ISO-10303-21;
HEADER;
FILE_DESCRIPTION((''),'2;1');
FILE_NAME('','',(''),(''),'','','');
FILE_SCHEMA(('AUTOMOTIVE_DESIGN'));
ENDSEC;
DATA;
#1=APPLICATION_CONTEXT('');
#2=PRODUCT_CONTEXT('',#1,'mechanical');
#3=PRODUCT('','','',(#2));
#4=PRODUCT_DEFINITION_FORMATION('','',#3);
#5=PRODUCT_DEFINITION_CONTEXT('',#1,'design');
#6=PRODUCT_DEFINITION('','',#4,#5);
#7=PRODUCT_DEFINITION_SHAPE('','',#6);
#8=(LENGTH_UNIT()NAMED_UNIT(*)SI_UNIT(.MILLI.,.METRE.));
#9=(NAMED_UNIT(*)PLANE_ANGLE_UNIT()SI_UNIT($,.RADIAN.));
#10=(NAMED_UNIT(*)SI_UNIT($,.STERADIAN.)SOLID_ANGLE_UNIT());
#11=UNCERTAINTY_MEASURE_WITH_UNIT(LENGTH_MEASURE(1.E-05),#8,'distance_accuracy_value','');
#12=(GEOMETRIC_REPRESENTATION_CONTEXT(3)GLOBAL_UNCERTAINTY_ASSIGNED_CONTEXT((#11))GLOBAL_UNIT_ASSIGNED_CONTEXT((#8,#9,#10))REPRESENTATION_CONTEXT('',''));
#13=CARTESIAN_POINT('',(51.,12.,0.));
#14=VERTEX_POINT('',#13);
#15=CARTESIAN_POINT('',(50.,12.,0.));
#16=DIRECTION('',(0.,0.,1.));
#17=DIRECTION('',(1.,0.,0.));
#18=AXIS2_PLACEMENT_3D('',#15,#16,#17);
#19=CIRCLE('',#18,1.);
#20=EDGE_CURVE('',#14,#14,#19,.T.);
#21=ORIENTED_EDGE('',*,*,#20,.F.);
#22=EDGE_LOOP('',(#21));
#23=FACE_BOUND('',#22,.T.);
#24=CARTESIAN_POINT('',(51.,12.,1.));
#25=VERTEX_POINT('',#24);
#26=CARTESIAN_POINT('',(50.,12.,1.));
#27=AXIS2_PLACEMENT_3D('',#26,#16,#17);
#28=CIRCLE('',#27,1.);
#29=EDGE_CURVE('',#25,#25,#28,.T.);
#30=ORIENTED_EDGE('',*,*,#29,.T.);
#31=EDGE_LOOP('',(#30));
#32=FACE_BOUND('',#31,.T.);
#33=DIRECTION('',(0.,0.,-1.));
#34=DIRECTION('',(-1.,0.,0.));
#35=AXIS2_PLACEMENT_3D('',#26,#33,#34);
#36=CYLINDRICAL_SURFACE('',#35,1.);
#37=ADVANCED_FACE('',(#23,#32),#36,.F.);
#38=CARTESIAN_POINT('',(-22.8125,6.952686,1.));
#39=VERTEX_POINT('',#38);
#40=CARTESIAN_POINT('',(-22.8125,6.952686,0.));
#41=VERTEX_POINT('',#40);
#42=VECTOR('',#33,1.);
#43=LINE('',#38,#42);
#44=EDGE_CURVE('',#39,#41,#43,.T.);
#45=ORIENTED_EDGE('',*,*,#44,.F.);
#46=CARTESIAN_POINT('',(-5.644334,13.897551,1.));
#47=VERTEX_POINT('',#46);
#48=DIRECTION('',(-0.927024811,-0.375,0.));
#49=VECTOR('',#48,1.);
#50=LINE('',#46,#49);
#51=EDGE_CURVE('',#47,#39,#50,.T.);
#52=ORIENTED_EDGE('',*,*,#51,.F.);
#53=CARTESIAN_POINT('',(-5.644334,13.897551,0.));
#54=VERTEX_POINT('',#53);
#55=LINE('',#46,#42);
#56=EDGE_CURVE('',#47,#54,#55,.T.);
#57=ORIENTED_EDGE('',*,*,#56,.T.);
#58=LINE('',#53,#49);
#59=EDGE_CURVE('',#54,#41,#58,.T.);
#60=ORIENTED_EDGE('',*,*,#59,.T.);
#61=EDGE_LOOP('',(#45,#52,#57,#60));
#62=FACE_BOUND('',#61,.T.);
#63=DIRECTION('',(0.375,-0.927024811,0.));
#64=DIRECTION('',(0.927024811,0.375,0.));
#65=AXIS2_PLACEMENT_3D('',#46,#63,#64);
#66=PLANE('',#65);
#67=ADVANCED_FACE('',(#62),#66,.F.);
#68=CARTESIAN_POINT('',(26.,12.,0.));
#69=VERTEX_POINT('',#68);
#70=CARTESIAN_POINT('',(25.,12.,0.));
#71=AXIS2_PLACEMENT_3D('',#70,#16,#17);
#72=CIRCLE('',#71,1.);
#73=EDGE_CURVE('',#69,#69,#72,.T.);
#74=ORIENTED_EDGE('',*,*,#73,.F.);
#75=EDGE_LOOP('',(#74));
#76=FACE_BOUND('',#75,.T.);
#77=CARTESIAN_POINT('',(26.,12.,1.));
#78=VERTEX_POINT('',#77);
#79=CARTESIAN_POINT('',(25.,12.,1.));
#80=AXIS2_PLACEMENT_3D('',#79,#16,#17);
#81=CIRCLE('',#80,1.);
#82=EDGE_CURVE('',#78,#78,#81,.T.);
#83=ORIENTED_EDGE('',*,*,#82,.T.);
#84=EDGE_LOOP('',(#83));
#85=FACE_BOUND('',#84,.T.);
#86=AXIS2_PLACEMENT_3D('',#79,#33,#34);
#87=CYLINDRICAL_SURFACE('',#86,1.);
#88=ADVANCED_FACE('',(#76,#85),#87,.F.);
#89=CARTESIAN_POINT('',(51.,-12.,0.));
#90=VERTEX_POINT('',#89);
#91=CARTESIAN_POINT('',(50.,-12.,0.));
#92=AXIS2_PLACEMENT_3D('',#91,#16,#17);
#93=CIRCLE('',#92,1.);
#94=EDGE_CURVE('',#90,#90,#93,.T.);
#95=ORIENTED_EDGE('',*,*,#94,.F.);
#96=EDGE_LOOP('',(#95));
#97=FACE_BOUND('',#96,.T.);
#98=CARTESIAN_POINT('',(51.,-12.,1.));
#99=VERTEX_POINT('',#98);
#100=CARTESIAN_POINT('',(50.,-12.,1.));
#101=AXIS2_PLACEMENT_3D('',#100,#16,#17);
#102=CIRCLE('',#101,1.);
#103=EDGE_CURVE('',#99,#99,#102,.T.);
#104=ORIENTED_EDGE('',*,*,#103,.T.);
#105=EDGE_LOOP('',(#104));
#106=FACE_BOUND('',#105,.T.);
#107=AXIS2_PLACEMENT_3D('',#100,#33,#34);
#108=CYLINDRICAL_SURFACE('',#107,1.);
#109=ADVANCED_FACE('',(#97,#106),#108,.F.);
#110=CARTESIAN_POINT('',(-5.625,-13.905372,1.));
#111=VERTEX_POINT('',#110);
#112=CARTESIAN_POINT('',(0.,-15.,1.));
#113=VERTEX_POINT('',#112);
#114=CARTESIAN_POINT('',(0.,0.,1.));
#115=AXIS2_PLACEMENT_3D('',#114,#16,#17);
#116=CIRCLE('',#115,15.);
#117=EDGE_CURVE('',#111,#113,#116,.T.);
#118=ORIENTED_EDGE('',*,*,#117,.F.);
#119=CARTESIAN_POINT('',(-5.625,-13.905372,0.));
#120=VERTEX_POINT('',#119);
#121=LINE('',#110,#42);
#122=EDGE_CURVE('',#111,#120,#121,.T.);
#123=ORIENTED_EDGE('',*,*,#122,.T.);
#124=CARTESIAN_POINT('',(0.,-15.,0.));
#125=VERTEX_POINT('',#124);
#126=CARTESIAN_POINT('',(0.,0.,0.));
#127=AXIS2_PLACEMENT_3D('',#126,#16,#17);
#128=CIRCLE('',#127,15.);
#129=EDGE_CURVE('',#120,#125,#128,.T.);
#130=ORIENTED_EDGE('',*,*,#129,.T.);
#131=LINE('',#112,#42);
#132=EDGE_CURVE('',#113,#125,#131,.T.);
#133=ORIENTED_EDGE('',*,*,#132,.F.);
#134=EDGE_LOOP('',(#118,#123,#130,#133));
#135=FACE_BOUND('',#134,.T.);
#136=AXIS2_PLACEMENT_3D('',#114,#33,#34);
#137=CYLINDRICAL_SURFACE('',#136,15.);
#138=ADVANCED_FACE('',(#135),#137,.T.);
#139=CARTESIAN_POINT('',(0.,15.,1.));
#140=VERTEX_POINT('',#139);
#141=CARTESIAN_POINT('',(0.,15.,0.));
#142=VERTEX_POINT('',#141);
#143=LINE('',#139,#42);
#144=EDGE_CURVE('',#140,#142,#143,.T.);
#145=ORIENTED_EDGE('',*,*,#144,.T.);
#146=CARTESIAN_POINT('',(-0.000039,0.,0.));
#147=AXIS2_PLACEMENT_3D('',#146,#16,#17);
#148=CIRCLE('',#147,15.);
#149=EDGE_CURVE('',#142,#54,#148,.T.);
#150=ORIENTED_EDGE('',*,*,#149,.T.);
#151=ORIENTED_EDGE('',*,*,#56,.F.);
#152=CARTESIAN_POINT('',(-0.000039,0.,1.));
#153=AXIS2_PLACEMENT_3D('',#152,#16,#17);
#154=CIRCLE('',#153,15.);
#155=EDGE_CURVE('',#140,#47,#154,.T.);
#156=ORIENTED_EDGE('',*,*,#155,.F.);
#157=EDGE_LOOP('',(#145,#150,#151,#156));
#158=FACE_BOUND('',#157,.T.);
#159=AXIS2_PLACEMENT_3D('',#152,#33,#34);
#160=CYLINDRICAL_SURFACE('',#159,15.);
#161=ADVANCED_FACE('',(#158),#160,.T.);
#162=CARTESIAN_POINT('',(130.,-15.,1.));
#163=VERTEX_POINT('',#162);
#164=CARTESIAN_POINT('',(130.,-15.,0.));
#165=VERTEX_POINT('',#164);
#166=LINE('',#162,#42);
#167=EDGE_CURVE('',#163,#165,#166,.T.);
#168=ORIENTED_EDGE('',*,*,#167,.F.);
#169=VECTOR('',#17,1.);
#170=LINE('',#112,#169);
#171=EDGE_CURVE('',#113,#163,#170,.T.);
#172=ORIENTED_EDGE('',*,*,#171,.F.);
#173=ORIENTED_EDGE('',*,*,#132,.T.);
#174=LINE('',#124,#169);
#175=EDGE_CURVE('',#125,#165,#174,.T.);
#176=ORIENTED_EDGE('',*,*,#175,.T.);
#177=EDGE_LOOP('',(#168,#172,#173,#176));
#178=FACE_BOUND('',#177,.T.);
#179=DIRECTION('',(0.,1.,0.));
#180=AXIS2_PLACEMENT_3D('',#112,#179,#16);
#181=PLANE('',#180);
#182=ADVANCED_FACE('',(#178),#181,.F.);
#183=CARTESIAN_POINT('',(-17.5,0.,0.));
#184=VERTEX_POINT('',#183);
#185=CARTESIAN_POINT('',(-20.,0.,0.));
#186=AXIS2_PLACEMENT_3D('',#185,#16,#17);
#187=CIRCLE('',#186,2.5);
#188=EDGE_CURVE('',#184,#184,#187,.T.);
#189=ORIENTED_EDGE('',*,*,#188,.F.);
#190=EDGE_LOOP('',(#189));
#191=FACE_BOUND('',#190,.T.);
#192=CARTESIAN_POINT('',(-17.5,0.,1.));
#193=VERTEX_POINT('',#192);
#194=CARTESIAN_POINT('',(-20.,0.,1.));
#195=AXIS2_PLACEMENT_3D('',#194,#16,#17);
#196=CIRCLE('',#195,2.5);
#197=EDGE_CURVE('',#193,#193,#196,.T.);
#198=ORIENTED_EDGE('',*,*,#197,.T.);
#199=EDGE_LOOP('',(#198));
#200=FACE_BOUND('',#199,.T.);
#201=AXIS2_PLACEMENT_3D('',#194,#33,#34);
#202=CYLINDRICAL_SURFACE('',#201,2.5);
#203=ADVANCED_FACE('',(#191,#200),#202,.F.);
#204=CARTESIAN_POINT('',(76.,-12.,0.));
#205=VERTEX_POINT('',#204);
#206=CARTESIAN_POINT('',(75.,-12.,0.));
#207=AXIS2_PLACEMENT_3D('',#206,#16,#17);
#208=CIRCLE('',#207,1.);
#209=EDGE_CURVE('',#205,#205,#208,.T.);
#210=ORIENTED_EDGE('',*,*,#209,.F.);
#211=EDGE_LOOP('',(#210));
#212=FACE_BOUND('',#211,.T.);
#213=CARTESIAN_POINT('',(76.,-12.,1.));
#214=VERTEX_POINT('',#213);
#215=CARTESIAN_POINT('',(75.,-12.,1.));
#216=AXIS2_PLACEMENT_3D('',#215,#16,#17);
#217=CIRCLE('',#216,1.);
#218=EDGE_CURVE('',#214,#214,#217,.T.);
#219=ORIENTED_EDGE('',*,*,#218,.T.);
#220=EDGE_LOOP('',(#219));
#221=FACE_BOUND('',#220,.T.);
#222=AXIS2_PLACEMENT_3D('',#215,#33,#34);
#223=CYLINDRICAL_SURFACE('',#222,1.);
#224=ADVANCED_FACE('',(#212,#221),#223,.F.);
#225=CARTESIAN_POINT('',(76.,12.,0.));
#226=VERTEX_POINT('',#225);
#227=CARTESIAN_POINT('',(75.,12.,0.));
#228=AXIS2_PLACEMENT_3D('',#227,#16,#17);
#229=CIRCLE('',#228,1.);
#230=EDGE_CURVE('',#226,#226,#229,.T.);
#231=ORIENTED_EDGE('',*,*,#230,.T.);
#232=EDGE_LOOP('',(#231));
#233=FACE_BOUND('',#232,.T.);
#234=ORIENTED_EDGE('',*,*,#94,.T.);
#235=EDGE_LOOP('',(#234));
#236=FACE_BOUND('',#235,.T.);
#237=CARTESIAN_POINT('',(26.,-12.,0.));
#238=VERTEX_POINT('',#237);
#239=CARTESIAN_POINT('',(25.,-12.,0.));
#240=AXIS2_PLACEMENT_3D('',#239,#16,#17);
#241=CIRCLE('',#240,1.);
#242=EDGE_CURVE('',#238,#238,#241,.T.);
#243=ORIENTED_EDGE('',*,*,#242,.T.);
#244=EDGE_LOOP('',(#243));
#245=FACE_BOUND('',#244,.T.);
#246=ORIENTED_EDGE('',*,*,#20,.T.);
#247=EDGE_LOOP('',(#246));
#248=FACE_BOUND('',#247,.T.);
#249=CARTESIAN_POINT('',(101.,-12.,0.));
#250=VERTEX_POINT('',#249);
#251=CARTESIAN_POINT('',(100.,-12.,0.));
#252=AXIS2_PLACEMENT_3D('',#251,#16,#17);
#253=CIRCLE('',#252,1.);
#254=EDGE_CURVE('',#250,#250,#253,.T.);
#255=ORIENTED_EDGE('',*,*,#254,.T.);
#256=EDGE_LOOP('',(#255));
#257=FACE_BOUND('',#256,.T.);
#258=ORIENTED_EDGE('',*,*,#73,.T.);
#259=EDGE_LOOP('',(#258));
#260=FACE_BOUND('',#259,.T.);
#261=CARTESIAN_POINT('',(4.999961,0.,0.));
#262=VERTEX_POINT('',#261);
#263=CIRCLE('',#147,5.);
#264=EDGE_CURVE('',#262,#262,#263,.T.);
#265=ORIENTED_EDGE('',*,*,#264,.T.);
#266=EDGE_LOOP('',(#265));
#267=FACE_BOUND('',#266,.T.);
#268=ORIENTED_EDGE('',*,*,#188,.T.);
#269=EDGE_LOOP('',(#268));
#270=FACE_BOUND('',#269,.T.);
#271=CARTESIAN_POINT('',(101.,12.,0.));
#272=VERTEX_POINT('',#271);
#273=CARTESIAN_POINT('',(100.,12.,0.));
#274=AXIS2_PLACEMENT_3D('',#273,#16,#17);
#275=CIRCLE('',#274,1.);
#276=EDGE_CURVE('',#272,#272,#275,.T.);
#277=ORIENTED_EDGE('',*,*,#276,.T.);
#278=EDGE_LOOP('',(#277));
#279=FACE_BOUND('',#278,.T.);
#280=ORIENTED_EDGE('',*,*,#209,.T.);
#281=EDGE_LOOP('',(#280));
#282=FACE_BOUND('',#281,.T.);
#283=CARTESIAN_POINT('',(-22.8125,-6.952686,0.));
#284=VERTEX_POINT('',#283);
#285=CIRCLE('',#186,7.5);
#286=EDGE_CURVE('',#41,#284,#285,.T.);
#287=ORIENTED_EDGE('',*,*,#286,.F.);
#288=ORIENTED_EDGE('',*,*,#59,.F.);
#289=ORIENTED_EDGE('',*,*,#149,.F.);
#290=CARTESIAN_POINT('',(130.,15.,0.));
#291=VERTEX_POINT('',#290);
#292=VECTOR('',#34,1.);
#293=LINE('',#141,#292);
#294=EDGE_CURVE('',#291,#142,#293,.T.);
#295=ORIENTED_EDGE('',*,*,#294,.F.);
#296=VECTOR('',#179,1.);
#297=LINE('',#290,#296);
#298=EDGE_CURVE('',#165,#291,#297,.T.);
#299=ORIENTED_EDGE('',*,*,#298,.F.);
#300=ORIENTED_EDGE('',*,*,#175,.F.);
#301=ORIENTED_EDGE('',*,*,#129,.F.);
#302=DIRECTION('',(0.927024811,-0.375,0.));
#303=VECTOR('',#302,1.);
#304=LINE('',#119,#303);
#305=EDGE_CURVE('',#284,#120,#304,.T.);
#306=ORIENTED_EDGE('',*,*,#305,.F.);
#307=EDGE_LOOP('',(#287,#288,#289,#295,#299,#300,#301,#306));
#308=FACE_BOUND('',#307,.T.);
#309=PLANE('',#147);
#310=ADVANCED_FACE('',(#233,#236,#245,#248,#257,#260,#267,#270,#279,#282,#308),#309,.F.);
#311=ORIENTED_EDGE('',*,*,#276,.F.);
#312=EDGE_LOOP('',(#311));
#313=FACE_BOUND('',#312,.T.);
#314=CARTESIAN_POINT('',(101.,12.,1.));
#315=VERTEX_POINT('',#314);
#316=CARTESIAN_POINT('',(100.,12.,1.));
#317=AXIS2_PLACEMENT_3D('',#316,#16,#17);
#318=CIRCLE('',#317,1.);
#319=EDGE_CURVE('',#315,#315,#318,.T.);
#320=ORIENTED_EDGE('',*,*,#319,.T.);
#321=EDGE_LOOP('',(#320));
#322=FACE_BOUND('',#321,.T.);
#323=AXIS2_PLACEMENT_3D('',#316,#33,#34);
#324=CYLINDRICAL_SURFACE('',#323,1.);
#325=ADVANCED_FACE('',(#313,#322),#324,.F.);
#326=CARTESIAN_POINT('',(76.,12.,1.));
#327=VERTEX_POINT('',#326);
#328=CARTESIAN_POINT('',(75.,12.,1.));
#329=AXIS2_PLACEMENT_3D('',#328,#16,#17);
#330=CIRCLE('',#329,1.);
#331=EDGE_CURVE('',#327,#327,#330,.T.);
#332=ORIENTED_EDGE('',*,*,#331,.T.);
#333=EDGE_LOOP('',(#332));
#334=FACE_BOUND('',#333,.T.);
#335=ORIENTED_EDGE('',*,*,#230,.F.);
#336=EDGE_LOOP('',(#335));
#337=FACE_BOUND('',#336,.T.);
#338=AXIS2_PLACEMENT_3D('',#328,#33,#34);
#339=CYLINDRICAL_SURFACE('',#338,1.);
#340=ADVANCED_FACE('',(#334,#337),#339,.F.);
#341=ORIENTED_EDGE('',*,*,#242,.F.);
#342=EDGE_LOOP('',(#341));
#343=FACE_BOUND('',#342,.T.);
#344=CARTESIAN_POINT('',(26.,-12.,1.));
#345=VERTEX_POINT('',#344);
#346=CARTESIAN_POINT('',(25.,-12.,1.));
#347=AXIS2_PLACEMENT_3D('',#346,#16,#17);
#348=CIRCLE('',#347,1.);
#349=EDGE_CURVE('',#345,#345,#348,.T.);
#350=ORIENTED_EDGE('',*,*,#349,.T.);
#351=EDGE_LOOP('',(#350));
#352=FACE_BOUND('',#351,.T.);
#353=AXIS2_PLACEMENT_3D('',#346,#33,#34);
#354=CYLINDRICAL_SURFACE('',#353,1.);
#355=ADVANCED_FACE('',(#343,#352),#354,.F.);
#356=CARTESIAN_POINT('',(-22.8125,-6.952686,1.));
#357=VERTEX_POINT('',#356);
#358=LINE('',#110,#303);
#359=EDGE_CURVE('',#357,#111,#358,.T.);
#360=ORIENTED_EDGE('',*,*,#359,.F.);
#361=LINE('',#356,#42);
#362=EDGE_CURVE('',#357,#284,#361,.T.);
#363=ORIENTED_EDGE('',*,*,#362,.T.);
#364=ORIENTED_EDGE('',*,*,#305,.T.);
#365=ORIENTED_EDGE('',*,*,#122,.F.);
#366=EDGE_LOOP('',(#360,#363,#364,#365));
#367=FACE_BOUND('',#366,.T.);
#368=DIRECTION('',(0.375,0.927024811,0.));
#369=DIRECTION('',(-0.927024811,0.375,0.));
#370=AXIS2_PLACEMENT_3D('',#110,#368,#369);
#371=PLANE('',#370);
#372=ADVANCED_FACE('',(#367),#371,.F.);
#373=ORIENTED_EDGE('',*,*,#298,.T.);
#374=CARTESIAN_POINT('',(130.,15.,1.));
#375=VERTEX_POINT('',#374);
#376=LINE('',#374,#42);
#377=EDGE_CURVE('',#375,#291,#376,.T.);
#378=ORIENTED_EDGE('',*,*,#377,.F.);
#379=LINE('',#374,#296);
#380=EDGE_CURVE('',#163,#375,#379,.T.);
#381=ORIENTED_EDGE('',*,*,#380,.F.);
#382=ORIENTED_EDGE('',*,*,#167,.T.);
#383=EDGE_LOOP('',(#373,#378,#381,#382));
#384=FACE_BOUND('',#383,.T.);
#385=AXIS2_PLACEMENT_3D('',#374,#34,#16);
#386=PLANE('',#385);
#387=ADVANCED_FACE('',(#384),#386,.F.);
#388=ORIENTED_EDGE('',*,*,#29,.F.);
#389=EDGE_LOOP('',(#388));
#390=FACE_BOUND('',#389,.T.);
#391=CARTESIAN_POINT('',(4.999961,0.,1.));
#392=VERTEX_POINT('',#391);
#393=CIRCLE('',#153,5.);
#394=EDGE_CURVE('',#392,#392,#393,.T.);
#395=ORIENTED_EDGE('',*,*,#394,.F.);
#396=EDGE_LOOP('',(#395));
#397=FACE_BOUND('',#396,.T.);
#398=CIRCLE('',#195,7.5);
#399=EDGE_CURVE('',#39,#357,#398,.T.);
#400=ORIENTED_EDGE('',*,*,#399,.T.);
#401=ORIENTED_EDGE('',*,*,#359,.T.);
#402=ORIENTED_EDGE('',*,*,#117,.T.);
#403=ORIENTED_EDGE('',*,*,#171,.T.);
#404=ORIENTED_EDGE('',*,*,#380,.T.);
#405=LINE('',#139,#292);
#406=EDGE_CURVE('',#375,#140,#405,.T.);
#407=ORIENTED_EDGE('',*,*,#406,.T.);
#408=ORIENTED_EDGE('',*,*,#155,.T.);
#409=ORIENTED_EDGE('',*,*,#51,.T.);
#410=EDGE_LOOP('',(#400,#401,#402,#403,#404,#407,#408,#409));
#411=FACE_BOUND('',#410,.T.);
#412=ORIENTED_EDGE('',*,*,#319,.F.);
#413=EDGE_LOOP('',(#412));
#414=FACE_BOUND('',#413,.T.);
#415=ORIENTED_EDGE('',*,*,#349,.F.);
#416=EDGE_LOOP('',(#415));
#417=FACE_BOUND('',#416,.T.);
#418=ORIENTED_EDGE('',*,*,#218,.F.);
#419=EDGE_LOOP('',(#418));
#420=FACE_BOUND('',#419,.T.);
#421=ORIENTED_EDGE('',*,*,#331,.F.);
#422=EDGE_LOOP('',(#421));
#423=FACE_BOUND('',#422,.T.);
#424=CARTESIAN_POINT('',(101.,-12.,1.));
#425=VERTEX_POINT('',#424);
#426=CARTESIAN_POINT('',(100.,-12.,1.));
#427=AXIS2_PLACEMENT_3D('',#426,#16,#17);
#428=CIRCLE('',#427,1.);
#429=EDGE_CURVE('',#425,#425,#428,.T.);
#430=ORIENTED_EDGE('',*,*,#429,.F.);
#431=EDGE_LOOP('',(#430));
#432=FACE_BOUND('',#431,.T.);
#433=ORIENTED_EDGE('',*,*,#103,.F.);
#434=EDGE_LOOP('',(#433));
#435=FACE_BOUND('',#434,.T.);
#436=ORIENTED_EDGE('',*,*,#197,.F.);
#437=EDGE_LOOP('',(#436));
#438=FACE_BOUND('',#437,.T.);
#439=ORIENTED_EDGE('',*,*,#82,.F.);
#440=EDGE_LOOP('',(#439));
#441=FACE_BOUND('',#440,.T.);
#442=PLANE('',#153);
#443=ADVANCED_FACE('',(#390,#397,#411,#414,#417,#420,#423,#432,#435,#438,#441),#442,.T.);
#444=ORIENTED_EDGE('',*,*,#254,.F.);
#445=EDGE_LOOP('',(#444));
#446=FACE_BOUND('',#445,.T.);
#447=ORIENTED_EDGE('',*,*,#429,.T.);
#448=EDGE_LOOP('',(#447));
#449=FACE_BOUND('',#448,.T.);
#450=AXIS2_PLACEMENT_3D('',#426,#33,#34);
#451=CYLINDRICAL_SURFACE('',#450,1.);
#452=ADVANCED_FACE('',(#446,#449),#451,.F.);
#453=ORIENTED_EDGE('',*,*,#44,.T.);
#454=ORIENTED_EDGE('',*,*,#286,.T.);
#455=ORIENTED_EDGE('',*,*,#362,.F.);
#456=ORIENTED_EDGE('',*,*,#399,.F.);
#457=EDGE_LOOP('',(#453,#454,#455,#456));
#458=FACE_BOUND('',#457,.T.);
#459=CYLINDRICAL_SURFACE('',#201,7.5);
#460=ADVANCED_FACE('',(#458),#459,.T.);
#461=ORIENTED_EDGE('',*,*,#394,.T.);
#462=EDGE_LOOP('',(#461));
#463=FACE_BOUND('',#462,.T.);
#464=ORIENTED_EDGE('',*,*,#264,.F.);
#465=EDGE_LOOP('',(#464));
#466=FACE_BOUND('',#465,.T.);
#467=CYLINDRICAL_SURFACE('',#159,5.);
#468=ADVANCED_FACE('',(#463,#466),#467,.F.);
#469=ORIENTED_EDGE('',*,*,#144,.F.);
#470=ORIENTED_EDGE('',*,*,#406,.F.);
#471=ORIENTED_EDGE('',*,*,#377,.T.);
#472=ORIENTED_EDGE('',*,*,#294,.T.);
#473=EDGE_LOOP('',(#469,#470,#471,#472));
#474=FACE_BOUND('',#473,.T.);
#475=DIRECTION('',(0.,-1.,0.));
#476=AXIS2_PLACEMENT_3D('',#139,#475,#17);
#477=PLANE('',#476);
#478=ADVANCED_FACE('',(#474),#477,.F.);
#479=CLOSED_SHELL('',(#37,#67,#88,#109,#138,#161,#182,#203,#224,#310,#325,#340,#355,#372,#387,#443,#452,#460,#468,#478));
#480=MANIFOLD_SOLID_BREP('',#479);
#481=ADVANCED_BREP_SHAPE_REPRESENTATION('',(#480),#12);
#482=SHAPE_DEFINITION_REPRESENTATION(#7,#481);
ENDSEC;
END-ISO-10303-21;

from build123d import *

# Parameters (mm, degrees)
SKETCH_1_R      = 2.5
SKETCH_1_R_2    = 5
SKETCH_1_R_3    = 1
EXTRUDE_1_DEPTH = 1


with BuildPart() as part:
    # Эскиз1 → Бобышка-Вытянуть1 (new body)
    with BuildSketch(Plane.XY):
        with BuildLine():
            Line((-5.644333703, 13.897551295), (-22.8125, 6.952686082))
            ThreePointArc((-22.8125, 6.952686082), (-27.5, 0), (-22.8125, -6.952686082))
            Line((-22.8125, -6.952686082), (-5.625, -13.905372163))
            ThreePointArc((-5.625, -13.905372163), (-2.865258937, -14.723800162), (0, -15))
            Line((0, -15), (130, -15))
            Line((130, -15), (130, 15))
            Line((130, 15), (0, 15))
            ThreePointArc((0, 15), (-2.875496154, 14.721811827), (-5.644333703, 13.897551295))
        make_face()
        with Locations((-20, 0)):
            Circle(SKETCH_1_R, mode=Mode.SUBTRACT)
        with Locations((-3.8531e-05, 0)):
            Circle(SKETCH_1_R_2, mode=Mode.SUBTRACT)
        with Locations((25, 12)):
            Circle(SKETCH_1_R_3, mode=Mode.SUBTRACT)
        with Locations((50, 12)):
            Circle(SKETCH_1_R_3, mode=Mode.SUBTRACT)
        with Locations((75, 12)):
            Circle(SKETCH_1_R_3, mode=Mode.SUBTRACT)
        with Locations((100, 12)):
            Circle(SKETCH_1_R_3, mode=Mode.SUBTRACT)
        with Locations((25, -12)):
            Circle(SKETCH_1_R_3, mode=Mode.SUBTRACT)
        with Locations((50, -12)):
            Circle(SKETCH_1_R_3, mode=Mode.SUBTRACT)
        with Locations((75, -12)):
            Circle(SKETCH_1_R_3, mode=Mode.SUBTRACT)
        with Locations((100, -12)):
            Circle(SKETCH_1_R_3, mode=Mode.SUBTRACT)
    extrude(amount=EXTRUDE_1_DEPTH)


solid = part.part
